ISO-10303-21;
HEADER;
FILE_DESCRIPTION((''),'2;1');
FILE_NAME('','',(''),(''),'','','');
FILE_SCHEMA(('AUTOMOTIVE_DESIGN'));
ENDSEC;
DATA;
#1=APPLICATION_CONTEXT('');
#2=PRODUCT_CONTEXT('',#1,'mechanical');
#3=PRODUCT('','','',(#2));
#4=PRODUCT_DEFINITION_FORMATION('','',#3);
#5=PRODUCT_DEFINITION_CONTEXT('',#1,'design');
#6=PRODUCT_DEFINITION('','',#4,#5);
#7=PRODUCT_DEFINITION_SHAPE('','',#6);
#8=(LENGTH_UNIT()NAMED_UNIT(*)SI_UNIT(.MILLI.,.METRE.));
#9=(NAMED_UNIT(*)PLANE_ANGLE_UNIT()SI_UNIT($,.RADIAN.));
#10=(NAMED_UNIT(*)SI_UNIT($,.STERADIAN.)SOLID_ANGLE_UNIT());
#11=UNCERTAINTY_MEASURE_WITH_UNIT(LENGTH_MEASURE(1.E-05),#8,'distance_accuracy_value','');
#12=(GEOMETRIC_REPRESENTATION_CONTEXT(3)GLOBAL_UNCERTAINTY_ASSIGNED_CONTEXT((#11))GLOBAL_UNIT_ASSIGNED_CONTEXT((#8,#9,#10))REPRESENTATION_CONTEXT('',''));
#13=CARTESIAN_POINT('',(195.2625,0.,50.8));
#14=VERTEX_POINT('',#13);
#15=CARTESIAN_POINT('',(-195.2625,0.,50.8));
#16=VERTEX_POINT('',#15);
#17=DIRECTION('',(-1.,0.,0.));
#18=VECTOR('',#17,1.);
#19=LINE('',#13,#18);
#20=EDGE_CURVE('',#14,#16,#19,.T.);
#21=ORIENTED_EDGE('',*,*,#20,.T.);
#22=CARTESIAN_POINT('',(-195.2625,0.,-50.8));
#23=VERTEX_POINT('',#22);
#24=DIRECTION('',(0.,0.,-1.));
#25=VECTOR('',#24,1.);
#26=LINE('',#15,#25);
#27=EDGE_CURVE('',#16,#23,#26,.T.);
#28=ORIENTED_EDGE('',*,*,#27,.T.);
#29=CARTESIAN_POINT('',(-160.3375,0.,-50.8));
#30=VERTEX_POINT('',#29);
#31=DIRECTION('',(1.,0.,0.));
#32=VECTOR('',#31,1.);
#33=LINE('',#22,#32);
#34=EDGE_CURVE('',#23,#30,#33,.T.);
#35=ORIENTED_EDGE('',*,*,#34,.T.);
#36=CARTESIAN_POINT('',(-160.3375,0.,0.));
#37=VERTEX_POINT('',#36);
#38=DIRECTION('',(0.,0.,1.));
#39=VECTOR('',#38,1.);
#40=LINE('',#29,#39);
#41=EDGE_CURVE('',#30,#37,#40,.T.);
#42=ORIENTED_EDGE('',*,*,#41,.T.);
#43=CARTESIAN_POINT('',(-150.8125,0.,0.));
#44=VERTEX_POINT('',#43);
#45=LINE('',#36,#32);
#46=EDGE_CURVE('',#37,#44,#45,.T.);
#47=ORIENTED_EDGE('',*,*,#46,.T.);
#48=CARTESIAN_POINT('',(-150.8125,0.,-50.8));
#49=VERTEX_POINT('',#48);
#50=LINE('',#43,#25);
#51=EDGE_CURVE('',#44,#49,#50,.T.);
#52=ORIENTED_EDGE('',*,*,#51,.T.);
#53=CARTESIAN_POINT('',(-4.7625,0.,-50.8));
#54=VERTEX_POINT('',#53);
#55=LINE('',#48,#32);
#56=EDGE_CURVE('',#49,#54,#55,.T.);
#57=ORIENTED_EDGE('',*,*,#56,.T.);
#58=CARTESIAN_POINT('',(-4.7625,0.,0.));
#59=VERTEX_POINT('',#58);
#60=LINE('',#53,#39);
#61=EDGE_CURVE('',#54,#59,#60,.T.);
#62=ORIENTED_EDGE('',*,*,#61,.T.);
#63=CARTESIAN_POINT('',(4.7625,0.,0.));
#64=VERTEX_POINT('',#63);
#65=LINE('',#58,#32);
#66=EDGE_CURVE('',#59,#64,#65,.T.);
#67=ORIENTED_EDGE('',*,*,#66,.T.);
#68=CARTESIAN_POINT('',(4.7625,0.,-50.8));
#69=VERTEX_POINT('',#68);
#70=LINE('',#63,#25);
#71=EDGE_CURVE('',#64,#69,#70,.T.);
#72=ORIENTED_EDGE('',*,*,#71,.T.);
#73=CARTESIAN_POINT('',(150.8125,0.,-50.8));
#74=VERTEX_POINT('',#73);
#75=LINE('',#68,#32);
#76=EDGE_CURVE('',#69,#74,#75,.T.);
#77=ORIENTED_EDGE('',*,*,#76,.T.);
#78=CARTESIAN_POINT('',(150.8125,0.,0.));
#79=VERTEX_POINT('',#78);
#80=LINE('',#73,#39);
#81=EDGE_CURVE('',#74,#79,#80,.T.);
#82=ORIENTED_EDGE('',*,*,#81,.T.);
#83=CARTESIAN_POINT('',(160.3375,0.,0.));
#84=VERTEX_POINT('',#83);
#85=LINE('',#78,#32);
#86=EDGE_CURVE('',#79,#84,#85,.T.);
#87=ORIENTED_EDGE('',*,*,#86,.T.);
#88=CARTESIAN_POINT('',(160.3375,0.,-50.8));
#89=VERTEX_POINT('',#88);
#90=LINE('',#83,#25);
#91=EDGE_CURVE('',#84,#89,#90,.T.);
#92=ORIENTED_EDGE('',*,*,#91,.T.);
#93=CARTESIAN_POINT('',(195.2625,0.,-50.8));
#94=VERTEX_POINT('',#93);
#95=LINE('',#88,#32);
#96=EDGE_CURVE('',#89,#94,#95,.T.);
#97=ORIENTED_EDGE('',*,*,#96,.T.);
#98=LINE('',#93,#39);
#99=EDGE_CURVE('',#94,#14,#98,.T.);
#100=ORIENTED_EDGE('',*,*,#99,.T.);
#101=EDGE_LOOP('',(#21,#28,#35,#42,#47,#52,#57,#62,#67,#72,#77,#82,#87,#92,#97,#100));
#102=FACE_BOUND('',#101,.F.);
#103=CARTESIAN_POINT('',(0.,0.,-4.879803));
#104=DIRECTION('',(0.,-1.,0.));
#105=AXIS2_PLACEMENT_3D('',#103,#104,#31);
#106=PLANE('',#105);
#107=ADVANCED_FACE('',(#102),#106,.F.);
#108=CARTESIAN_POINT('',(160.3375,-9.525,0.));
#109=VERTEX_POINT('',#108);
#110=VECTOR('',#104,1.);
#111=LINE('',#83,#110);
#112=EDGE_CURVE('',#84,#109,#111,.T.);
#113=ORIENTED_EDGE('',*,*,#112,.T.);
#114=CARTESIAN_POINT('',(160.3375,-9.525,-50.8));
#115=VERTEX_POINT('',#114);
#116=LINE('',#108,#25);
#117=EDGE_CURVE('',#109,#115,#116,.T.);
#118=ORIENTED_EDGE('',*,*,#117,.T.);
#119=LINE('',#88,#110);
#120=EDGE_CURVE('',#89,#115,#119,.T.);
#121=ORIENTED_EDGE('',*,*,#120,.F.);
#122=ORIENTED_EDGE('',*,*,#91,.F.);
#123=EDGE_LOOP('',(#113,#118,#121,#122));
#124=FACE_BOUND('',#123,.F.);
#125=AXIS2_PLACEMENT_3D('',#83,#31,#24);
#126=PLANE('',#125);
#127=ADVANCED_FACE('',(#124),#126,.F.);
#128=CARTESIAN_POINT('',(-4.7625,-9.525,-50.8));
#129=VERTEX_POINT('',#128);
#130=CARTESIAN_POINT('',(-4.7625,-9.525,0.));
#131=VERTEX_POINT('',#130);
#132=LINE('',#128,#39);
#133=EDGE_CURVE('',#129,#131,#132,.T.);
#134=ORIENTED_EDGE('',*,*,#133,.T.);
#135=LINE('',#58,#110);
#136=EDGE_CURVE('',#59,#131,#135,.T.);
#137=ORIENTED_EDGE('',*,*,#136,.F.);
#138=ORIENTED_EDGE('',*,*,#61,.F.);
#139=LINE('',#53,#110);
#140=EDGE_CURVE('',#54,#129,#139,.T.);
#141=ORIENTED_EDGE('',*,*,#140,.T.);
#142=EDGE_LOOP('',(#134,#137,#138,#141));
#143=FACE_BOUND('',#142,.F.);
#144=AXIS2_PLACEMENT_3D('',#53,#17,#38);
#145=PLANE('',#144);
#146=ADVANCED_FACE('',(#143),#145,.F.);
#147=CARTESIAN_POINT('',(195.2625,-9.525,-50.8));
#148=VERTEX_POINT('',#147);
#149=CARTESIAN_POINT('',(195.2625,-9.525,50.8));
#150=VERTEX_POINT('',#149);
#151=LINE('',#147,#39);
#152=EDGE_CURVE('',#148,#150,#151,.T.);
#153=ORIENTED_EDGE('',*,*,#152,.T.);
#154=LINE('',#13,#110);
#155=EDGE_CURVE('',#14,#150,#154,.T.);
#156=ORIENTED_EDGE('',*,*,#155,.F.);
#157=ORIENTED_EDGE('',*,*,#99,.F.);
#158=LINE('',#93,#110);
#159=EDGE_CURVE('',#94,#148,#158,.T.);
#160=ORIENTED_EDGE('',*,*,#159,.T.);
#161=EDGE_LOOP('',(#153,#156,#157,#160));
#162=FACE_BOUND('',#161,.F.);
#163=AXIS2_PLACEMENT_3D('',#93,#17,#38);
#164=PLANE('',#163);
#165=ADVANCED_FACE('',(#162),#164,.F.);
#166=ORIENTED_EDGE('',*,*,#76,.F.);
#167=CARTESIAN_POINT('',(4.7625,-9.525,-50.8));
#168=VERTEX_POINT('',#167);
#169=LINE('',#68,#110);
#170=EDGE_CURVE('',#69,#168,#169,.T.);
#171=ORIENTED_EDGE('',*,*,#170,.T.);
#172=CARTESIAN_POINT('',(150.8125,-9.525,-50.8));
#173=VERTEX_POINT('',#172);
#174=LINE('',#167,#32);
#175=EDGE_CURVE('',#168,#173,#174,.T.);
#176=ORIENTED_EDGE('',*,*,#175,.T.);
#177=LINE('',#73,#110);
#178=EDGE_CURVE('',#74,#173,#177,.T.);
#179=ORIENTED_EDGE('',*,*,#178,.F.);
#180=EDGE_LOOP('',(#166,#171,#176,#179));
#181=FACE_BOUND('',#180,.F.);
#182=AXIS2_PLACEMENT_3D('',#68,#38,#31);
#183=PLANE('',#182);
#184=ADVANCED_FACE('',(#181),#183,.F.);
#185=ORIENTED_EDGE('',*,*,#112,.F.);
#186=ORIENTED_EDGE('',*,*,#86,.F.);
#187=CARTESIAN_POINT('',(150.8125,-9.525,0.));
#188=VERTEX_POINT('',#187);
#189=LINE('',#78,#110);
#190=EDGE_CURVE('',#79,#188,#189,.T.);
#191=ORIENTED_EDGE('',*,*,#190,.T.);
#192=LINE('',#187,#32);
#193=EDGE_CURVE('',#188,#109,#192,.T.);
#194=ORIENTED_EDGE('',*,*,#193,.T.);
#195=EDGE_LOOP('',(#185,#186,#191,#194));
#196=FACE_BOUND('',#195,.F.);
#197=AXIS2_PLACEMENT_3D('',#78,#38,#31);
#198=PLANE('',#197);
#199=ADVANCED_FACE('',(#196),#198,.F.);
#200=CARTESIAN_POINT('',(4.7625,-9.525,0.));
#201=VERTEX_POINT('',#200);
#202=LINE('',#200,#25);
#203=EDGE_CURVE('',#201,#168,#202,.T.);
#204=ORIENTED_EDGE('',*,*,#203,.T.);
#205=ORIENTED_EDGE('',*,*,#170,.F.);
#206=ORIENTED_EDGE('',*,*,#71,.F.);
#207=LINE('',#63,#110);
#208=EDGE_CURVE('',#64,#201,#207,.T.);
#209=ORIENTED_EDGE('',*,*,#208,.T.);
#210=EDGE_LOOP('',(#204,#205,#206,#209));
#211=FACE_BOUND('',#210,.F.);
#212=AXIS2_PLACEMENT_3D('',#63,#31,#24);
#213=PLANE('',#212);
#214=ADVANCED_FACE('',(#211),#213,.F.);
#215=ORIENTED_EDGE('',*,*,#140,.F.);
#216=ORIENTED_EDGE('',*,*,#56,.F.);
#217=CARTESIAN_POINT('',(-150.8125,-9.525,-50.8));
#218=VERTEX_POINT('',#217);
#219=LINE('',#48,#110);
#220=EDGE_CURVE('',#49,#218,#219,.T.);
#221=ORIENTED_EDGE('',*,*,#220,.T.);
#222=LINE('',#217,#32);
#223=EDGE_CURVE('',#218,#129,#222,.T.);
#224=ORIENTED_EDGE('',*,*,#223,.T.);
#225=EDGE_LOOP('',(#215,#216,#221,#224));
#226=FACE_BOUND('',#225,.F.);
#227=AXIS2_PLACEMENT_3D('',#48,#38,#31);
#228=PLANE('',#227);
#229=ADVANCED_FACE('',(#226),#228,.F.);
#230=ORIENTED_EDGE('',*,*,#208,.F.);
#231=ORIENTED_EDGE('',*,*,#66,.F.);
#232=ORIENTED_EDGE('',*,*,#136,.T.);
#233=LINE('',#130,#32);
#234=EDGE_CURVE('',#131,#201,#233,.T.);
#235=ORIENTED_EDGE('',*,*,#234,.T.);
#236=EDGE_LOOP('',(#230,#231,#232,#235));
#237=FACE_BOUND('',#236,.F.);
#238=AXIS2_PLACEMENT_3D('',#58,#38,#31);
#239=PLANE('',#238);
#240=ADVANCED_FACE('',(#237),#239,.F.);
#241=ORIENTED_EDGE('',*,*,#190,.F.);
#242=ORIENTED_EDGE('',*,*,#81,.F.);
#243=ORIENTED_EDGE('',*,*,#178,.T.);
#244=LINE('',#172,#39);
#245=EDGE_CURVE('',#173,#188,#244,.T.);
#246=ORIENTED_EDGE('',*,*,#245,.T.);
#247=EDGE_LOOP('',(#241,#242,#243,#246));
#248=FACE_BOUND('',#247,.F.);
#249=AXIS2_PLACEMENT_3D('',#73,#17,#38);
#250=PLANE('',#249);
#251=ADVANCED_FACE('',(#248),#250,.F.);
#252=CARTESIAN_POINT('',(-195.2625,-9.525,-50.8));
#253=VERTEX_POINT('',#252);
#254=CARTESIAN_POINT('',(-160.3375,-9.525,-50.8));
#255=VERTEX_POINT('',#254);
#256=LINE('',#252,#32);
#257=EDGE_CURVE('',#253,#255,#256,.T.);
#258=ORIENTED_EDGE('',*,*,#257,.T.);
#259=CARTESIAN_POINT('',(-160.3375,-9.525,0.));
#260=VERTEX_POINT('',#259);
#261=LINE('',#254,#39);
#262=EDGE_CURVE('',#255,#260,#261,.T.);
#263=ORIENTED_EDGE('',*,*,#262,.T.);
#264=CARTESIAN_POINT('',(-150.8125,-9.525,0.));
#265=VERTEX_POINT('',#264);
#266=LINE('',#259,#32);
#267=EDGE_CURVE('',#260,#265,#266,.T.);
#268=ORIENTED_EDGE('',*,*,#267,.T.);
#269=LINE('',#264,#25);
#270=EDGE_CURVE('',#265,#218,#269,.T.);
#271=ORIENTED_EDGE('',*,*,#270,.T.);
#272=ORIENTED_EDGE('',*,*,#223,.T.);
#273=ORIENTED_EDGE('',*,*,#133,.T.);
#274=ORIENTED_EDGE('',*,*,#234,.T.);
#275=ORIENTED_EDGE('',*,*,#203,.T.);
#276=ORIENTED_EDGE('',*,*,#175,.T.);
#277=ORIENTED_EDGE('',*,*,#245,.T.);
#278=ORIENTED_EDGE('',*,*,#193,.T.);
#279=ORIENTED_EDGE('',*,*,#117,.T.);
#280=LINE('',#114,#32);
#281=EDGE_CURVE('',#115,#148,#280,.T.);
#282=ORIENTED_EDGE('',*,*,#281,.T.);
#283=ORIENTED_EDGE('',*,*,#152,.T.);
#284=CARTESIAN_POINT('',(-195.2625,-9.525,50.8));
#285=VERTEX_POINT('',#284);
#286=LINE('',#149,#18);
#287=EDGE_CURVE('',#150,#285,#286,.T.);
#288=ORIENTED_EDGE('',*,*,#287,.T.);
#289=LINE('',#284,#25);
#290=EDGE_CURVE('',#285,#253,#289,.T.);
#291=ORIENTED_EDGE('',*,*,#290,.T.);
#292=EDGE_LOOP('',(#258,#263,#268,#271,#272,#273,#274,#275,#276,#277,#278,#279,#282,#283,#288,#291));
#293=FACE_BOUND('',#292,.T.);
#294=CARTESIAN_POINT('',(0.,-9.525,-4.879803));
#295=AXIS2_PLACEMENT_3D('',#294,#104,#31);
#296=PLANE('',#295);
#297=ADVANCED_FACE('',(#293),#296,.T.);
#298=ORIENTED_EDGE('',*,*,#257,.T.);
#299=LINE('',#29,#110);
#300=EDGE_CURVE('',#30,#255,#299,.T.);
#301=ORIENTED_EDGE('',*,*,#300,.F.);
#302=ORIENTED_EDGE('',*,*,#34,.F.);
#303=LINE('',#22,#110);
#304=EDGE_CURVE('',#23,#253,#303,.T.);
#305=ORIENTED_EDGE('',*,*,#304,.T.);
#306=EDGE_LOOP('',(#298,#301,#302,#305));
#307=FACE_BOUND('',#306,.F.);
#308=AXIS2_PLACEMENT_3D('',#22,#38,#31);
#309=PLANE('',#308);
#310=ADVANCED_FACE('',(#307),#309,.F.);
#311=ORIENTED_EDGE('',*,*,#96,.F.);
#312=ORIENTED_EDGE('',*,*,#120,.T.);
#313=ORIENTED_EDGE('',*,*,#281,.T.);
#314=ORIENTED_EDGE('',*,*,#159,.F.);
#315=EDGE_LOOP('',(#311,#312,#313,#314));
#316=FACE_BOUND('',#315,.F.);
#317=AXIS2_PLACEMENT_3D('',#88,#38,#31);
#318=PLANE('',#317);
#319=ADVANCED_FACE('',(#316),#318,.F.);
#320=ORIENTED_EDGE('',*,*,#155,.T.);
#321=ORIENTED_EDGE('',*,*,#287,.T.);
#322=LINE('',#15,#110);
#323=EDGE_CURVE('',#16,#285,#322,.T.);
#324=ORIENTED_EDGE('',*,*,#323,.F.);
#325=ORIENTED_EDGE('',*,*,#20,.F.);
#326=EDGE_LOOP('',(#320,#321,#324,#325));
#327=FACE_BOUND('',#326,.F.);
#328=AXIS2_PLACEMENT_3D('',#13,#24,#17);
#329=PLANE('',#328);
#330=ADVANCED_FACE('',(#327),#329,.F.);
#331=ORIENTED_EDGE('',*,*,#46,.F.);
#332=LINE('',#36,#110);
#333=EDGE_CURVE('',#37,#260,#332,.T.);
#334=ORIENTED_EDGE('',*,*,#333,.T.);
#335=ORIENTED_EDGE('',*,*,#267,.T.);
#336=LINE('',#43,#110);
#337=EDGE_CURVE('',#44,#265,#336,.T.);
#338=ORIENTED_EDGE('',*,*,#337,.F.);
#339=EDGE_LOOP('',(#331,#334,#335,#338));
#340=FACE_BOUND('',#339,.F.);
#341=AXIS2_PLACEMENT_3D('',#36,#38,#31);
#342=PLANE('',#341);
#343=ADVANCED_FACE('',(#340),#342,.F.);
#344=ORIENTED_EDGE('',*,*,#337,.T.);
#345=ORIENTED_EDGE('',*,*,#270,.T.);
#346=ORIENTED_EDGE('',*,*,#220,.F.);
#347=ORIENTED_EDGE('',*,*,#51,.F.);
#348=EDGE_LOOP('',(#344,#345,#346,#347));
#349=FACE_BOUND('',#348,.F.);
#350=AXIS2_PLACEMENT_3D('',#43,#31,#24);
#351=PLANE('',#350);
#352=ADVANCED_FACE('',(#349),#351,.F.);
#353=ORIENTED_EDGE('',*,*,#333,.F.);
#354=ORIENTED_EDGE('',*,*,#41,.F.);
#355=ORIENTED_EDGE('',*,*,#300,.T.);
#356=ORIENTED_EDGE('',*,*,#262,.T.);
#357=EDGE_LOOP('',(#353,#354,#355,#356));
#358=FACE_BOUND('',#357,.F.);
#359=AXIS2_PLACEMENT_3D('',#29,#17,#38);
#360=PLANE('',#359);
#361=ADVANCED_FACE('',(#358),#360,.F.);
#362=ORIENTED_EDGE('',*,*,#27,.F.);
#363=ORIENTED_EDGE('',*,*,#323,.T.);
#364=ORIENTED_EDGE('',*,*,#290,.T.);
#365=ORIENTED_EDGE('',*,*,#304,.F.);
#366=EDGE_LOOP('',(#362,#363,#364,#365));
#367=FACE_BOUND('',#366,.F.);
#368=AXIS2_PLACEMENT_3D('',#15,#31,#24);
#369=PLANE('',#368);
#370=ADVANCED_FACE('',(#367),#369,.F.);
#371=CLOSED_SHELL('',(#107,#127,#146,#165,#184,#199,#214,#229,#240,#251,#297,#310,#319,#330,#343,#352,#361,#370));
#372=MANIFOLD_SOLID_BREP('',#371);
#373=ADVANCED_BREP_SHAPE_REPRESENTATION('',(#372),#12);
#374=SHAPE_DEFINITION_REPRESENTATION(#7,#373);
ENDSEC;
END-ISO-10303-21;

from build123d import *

# Parameters (mm, degrees)
F1_DEPTH = 9.525


with BuildPart() as f1:
    # F0 (on Front) → F1 (new body)
    with BuildSketch(Plane.XZ):
        Polygon((-195.2625, 50.8), (-195.2625, -50.8), (-160.3375, -50.8), (-160.3375, 0), (-150.8125, 0), (-150.8125, -50.8), (-4.7625, -50.8), (-4.7625, 0), (2.602418, 0), (4.7625, 0), (4.7625, -50.8), (150.8125, -50.8), (150.8125, 0), (160.3375, 0), (160.3375, -50.8), (195.2625, -50.8), (195.2625, 50.8), align=None)
    extrude(amount=F1_DEPTH)


solid = f1.part
